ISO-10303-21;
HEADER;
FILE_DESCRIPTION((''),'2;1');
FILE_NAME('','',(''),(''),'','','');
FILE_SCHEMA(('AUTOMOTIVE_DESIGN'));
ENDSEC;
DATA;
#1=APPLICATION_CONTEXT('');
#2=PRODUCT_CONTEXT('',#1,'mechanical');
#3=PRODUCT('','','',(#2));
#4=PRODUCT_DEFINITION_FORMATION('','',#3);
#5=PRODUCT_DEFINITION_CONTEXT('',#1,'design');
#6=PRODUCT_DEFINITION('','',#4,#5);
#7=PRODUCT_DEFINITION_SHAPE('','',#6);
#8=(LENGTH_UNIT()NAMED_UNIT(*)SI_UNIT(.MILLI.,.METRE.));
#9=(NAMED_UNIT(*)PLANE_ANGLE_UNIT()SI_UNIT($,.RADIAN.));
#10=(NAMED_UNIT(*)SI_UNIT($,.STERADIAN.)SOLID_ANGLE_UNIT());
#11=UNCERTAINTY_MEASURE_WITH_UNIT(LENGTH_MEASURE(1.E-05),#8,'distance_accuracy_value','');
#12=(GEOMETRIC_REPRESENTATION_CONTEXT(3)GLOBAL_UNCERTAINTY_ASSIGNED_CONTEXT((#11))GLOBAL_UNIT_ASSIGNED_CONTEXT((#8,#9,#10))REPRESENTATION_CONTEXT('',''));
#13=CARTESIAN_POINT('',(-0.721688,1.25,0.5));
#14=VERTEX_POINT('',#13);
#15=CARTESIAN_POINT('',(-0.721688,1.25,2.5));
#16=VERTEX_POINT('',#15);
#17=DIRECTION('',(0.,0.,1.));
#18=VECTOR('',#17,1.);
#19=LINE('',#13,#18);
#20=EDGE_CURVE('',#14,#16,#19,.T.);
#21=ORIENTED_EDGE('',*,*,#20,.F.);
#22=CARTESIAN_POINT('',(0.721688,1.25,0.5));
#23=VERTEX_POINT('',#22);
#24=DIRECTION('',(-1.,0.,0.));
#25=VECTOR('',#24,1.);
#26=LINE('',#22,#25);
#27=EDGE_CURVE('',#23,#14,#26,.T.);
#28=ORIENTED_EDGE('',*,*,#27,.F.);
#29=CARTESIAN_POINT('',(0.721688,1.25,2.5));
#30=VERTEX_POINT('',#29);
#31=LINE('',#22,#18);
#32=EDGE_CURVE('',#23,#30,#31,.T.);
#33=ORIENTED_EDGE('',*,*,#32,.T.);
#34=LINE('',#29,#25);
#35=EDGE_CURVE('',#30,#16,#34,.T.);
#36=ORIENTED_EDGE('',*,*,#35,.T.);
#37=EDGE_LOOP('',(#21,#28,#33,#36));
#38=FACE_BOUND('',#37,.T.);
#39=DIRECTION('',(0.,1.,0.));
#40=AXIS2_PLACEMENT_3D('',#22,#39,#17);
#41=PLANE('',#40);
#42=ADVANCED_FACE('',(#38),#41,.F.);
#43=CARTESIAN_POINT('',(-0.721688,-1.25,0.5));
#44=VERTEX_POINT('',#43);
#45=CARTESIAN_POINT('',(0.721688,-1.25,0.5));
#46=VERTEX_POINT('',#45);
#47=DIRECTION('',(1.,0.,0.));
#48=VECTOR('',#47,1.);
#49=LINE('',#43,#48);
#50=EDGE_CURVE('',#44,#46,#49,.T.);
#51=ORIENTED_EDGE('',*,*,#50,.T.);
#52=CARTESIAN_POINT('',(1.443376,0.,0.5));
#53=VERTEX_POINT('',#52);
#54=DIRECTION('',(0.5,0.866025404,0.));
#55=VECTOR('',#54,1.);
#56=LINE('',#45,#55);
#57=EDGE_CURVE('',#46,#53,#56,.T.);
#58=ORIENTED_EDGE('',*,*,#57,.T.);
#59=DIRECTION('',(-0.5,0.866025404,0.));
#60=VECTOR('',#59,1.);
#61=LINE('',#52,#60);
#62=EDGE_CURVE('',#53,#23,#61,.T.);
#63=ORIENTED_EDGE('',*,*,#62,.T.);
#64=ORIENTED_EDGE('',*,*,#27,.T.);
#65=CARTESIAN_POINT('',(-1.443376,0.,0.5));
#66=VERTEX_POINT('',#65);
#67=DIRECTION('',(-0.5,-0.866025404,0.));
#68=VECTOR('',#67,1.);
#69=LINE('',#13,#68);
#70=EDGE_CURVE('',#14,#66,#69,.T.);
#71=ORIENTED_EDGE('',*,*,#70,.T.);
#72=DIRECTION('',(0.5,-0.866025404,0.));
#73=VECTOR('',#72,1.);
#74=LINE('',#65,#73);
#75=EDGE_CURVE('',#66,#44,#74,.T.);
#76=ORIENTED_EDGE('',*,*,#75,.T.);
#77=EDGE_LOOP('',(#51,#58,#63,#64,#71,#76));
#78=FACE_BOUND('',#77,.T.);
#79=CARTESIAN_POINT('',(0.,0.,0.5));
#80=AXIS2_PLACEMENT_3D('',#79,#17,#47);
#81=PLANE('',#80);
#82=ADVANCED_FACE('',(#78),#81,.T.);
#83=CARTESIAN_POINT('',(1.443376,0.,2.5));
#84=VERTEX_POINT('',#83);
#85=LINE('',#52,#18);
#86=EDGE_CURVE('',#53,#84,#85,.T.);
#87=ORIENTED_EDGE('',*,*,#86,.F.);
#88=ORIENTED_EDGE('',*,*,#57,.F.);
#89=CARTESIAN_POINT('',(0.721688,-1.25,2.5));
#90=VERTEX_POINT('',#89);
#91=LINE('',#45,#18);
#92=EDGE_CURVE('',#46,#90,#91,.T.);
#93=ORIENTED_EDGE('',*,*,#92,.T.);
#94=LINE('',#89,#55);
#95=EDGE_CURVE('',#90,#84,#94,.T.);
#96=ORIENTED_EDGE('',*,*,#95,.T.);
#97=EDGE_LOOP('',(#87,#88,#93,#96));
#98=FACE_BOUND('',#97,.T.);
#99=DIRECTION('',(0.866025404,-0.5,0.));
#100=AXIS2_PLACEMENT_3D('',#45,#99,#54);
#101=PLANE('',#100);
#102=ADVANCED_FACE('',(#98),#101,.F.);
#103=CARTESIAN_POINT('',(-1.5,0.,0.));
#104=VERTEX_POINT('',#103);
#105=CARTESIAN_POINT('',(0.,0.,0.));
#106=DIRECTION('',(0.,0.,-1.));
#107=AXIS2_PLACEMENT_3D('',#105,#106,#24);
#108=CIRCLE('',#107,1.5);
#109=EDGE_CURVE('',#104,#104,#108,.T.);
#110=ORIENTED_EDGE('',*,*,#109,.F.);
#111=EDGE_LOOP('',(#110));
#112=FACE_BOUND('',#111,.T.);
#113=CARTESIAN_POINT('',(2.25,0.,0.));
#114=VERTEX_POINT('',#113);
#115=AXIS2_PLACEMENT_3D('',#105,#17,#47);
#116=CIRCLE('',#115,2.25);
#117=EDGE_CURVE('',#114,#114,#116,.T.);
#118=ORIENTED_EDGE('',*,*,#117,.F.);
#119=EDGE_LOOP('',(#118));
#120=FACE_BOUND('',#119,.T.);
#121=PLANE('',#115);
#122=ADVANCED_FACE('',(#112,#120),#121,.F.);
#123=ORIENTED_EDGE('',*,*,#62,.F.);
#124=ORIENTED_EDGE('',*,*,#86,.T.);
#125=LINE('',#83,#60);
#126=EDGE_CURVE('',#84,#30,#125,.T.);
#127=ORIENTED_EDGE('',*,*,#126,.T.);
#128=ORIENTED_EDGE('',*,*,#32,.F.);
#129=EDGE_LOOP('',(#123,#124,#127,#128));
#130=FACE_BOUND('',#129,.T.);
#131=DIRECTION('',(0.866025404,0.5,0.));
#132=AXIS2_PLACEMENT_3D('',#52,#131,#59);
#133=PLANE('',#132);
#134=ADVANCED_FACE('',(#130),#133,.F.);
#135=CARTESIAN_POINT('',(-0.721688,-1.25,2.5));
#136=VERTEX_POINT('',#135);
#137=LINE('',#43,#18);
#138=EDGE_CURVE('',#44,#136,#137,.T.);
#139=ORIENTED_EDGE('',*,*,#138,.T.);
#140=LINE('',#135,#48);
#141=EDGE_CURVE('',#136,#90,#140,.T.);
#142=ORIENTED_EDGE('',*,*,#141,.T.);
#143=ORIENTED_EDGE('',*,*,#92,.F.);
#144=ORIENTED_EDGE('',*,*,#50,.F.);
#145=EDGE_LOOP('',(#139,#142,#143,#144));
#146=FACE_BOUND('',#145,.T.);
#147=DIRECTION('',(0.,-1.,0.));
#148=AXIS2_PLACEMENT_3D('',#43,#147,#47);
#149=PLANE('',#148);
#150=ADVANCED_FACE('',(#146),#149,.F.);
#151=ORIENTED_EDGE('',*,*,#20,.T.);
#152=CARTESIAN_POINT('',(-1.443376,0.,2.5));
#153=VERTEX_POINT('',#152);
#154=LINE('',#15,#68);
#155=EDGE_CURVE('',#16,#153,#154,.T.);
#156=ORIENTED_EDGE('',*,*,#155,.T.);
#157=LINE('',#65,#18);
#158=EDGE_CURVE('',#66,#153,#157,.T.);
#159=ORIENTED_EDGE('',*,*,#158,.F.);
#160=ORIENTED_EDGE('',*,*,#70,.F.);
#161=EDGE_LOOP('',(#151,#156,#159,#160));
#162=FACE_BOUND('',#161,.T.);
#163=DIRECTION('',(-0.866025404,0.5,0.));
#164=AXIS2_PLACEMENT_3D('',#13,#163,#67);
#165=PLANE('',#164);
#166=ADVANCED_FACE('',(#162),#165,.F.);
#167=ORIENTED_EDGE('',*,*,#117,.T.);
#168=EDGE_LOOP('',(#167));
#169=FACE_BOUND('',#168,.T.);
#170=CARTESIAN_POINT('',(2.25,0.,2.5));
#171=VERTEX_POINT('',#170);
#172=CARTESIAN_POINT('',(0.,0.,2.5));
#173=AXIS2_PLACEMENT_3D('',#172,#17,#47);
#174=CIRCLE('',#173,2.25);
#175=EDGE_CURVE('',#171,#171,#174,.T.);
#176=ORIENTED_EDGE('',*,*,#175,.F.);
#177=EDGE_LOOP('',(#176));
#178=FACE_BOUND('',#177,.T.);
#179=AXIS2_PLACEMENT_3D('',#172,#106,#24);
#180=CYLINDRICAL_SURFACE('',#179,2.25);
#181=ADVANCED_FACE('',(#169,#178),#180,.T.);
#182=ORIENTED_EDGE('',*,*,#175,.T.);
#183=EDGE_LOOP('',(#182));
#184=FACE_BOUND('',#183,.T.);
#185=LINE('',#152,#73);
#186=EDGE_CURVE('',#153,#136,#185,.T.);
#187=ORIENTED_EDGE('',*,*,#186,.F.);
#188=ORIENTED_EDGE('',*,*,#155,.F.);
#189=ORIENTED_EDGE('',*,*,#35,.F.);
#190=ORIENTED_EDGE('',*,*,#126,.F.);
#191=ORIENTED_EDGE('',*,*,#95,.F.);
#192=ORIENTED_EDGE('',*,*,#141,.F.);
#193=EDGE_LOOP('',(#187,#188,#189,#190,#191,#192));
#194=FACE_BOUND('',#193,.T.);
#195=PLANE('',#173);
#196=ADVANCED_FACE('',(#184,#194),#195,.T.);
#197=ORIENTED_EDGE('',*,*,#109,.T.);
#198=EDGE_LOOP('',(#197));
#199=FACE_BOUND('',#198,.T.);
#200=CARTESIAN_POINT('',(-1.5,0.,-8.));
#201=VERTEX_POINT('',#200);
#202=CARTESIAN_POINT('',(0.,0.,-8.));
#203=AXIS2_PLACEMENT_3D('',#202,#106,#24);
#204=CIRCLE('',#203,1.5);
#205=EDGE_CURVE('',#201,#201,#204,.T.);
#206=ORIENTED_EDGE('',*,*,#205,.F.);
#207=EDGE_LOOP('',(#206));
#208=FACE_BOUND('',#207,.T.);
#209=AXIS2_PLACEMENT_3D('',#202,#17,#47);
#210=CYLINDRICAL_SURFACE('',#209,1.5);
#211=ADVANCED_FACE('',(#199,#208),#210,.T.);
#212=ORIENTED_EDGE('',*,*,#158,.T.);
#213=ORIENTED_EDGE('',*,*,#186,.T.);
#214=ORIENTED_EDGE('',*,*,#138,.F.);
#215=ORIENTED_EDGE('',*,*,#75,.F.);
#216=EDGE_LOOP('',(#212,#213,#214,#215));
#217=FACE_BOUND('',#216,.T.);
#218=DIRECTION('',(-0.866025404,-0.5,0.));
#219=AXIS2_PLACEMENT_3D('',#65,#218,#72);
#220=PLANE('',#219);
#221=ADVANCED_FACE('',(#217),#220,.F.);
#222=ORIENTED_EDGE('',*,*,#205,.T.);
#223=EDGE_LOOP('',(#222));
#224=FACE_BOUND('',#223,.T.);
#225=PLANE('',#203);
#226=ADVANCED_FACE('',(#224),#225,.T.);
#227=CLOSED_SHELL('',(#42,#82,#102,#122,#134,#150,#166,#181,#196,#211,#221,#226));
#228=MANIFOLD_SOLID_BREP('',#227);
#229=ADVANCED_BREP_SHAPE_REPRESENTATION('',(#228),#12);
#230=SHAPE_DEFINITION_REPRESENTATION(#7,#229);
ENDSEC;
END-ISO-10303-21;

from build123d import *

# Parameters (mm, degrees)
SKETCH1_R           = 2.25
BOSS_EXTRUDE1_DEPTH = 2.5
CUT_EXTRUDE1_DEPTH  = 2
SKETCH3_R           = 1.5
BOSS_EXTRUDE2_DEPTH = 8


with BuildPart() as part:
    # Sketch1 → Boss-Extrude1 (new body)
    with BuildSketch(Plane.XY):
        Circle(SKETCH1_R)
    extrude(amount=BOSS_EXTRUDE1_DEPTH)

    # Sketch2 → Cut-Extrude1 (cut)
    with BuildSketch(Plane.XY.offset(2.5)):
        Polygon((1.443375673, 0), (0.721687836, 1.25), (-0.721687836, 1.25), (-1.443375673, 0), (-0.721687836, -1.25), (0.721687836, -1.25), align=None)
    extrude(amount=-CUT_EXTRUDE1_DEPTH, mode=Mode.SUBTRACT)

    # Sketch3 → Boss-Extrude2 (add)
    with BuildSketch(Plane(origin=(0, 0, 0), x_dir=(-1, 0, 0), z_dir=(0, 0, -1))):
        Circle(SKETCH3_R)
    extrude(amount=BOSS_EXTRUDE2_DEPTH)


solid = part.part
